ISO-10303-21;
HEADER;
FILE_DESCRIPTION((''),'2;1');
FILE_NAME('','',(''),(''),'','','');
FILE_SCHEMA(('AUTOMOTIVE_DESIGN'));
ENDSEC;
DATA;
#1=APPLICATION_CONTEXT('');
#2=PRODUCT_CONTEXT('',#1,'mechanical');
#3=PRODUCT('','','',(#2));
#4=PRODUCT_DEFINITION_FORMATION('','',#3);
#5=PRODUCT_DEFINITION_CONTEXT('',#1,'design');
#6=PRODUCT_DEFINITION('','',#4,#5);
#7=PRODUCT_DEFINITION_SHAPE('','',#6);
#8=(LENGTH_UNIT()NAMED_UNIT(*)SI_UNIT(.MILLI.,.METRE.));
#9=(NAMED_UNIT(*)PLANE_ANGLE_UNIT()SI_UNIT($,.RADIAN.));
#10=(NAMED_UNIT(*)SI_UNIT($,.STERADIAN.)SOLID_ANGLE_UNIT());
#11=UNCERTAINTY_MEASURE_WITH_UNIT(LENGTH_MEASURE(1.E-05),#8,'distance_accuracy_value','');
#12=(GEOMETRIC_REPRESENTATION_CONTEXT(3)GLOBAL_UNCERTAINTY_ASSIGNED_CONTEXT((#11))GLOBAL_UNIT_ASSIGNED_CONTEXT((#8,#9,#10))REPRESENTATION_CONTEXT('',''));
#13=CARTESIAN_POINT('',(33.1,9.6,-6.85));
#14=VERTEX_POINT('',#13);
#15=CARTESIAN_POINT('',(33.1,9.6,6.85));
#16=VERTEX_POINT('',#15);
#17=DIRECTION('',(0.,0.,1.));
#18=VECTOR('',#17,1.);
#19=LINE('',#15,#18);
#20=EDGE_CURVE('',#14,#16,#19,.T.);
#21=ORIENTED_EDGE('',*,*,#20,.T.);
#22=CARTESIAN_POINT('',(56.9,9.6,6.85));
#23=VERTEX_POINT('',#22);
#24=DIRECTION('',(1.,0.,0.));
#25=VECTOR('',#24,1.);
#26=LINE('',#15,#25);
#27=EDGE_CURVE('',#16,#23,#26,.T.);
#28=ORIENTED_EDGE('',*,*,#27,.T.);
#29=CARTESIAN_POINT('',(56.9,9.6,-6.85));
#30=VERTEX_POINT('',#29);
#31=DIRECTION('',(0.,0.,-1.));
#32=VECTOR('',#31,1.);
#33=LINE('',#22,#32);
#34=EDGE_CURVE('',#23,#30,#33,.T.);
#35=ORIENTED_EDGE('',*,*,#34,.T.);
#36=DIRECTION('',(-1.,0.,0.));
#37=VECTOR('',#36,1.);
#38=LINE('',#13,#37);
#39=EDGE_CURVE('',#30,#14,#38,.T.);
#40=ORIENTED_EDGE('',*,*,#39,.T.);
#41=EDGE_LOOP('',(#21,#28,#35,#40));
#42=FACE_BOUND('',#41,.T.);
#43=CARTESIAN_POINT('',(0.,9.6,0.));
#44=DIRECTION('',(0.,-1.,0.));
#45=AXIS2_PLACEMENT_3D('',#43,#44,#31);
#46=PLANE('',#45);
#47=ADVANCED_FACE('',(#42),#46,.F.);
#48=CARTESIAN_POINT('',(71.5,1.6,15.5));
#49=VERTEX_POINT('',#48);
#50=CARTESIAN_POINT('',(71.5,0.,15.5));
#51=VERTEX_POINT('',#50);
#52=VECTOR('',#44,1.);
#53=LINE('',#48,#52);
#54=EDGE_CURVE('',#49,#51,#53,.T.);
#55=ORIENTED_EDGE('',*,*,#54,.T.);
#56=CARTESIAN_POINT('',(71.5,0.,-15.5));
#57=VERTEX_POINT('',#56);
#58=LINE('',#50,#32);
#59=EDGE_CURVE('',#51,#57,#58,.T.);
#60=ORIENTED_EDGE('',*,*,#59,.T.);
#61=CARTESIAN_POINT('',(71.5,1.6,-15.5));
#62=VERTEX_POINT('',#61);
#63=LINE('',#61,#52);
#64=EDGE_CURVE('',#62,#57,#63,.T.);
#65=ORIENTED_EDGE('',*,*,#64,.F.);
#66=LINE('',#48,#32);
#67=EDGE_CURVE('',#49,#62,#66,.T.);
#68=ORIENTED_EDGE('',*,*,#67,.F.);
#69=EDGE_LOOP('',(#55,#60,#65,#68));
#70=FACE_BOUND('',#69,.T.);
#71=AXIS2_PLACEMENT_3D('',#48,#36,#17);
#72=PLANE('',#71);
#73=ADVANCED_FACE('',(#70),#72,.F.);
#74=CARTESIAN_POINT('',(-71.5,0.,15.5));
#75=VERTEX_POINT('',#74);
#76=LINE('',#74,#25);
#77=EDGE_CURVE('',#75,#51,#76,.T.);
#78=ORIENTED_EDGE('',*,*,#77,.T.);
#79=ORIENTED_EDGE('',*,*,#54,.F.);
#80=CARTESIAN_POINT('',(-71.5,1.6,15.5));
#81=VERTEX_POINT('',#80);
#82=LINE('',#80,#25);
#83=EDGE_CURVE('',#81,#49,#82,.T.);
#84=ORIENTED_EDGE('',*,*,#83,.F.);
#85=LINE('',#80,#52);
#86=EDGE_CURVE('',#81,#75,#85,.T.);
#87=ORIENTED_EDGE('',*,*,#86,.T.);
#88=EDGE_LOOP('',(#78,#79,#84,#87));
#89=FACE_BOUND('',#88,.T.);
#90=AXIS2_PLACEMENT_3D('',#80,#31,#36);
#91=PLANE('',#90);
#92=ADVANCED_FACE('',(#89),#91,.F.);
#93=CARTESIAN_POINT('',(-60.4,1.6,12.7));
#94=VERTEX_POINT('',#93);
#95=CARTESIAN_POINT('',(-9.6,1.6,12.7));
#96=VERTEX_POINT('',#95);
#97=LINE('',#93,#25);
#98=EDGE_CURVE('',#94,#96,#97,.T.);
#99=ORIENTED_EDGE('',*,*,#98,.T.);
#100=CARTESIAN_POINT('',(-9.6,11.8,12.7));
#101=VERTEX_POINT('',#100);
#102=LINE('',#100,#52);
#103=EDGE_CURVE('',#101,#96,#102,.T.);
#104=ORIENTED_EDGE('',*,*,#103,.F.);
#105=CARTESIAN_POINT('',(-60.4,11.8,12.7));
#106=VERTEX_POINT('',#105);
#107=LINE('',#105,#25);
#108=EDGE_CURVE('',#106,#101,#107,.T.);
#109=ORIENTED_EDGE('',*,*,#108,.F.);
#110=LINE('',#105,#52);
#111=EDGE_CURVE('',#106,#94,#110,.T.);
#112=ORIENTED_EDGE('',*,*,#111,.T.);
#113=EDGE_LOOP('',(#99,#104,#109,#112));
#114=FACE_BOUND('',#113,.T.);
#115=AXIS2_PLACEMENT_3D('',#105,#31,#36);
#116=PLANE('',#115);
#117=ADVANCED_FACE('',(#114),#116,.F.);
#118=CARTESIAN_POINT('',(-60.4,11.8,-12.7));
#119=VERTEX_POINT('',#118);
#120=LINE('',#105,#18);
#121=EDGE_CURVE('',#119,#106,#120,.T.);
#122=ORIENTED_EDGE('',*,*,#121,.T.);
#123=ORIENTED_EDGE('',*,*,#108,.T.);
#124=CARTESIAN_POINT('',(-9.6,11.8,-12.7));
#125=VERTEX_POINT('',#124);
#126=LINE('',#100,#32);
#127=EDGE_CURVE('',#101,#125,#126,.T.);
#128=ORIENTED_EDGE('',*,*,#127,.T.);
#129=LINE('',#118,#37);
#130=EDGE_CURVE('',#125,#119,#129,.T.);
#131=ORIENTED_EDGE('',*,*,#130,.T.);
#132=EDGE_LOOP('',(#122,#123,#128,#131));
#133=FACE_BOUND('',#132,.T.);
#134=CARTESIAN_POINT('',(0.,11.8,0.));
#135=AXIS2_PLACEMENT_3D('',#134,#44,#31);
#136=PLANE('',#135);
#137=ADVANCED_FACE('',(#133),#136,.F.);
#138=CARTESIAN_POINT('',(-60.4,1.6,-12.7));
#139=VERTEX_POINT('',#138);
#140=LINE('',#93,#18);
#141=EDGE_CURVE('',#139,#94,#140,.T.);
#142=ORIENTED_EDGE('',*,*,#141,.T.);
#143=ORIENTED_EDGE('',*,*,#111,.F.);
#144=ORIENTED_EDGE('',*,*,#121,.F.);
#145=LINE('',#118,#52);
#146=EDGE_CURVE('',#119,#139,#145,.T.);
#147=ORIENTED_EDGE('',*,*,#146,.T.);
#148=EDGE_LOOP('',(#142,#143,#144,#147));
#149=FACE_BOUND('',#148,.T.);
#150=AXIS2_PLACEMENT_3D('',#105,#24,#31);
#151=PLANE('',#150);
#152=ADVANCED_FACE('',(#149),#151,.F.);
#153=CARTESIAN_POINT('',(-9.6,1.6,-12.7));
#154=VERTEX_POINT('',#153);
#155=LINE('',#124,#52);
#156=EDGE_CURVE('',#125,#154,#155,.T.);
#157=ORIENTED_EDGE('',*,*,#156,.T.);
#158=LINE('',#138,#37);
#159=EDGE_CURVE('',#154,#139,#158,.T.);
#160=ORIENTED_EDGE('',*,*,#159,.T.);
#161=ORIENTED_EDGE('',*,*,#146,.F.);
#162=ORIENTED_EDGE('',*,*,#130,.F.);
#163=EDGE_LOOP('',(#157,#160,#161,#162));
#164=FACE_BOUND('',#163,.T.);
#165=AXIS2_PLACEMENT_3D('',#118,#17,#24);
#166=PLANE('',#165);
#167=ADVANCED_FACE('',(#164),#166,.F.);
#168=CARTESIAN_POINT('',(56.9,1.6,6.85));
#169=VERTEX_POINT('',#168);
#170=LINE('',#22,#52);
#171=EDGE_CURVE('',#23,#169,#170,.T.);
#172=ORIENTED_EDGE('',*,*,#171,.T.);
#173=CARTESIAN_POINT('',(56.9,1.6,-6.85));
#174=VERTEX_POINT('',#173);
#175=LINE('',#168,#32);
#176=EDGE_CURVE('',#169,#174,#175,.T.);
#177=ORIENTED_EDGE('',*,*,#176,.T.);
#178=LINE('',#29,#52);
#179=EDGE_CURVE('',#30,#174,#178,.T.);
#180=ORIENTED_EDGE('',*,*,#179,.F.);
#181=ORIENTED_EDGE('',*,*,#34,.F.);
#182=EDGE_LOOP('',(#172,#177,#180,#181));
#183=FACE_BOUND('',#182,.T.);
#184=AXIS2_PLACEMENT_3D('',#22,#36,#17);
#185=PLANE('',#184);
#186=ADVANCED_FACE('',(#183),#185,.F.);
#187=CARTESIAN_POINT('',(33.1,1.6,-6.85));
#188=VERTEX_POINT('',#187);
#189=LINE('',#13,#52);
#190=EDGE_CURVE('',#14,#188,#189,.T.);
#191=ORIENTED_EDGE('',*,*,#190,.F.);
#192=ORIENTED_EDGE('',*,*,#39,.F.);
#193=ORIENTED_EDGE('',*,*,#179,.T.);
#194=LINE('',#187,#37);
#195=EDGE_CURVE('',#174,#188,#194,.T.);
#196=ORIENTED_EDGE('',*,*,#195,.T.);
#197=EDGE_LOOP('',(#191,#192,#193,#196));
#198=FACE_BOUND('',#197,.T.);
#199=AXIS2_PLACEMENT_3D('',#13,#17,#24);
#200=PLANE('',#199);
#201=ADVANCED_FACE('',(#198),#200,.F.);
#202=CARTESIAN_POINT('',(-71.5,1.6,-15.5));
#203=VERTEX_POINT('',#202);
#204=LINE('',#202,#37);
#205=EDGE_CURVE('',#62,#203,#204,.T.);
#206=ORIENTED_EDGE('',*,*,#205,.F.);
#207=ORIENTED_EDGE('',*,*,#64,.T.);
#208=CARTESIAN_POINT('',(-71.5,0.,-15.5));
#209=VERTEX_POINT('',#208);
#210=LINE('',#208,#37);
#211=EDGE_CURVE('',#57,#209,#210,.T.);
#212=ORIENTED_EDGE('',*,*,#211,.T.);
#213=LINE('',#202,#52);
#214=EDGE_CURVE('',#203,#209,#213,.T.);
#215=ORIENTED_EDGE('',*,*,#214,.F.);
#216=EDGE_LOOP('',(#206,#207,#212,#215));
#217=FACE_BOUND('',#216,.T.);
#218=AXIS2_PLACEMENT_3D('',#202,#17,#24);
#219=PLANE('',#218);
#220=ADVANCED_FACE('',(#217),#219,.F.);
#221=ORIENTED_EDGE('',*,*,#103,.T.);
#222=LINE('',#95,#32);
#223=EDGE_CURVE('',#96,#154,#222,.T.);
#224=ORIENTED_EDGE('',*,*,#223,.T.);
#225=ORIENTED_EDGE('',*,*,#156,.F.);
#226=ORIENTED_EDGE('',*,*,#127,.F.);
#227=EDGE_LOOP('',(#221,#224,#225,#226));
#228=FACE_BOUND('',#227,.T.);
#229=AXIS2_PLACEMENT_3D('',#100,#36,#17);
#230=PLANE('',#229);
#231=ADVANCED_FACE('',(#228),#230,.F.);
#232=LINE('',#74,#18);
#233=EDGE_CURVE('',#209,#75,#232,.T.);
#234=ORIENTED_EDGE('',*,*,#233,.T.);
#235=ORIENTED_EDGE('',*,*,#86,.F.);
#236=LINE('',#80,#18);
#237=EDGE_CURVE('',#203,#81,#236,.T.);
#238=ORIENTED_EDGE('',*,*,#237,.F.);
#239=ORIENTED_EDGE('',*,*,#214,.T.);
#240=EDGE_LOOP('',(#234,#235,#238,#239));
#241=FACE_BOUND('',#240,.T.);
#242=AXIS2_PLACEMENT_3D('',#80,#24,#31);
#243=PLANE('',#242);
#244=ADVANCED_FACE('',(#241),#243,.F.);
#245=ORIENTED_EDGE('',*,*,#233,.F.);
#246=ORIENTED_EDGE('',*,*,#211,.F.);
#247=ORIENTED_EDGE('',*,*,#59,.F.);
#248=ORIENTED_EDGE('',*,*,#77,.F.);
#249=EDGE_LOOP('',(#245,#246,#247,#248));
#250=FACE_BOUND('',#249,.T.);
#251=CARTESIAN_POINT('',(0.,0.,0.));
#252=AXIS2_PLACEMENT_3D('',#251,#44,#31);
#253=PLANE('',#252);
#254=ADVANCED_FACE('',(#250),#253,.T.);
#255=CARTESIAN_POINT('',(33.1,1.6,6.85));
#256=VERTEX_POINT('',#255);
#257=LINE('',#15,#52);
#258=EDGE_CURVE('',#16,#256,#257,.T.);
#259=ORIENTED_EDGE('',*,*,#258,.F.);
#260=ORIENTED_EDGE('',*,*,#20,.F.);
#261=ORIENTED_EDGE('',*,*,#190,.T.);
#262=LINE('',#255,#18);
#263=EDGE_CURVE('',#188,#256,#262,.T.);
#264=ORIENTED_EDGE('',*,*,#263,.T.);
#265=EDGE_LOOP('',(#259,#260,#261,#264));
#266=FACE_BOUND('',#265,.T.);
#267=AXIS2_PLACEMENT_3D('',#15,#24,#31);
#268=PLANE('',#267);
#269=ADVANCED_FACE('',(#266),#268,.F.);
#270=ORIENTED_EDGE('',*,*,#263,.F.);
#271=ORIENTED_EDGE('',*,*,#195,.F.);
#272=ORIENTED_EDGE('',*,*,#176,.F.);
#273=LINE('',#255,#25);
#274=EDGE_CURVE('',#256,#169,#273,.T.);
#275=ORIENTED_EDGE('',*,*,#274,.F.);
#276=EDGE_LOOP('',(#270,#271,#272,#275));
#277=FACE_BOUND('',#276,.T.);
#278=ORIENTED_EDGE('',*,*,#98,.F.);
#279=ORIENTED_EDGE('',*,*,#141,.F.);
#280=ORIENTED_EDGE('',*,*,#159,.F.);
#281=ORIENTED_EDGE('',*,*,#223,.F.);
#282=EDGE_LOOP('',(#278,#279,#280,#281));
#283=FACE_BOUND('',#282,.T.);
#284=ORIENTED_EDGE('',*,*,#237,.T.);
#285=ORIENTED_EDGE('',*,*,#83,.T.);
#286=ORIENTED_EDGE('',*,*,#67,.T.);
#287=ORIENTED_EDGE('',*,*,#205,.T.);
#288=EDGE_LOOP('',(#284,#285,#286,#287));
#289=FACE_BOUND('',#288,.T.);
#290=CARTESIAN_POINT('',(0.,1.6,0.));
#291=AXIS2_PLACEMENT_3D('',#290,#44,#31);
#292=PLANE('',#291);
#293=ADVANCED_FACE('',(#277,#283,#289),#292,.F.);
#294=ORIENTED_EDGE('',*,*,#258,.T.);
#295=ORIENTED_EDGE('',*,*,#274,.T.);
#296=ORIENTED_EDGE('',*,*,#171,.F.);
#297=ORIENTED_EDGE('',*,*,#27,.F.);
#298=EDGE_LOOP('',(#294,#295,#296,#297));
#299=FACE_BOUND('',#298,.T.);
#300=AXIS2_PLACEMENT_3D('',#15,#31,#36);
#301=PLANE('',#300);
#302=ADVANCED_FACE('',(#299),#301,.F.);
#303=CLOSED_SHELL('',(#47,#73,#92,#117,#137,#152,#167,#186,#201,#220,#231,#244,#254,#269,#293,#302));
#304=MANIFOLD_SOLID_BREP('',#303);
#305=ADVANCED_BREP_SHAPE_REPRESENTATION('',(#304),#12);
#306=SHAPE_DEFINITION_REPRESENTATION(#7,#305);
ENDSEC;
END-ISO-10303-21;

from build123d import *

# Parameters (mm, degrees)
SKETCH1_W           = 143
SKETCH1_H           = 31
BOSS_EXTRUDE1_DEPTH = 1.6
SKETCH2_W           = 23.8
SKETCH2_H           = 13.7
BOSS_EXTRUDE2_DEPTH = 8
SKETCH3_W           = 50.8
SKETCH3_H           = 25.4
BOSS_EXTRUDE3_DEPTH = 10.2


with BuildPart() as part:
    # Sketch1 → Boss-Extrude1 (new body)
    with BuildSketch(Plane(origin=(0, 0, 0), x_dir=(1, 0, 0), z_dir=(0, 1, 0))):
        Rectangle(SKETCH1_W, SKETCH1_H)
    extrude(amount=BOSS_EXTRUDE1_DEPTH)

    # Sketch2 → Boss-Extrude2 (add)
    with BuildSketch(Plane(origin=(0, 1.6, 0), x_dir=(1, 0, 0), z_dir=(0, 1, 0))):
        with Locations((45, 0)):
            Rectangle(SKETCH2_W, SKETCH2_H)
    extrude(amount=BOSS_EXTRUDE2_DEPTH)

    # Sketch3 → Boss-Extrude3 (add)
    with BuildSketch(Plane(origin=(0, 1.6, 0), x_dir=(1, 0, 0), z_dir=(0, 1, 0))):
        with Locations((-35, 0)):
            Rectangle(SKETCH3_W, SKETCH3_H)
    extrude(amount=BOSS_EXTRUDE3_DEPTH)


solid = part.part
